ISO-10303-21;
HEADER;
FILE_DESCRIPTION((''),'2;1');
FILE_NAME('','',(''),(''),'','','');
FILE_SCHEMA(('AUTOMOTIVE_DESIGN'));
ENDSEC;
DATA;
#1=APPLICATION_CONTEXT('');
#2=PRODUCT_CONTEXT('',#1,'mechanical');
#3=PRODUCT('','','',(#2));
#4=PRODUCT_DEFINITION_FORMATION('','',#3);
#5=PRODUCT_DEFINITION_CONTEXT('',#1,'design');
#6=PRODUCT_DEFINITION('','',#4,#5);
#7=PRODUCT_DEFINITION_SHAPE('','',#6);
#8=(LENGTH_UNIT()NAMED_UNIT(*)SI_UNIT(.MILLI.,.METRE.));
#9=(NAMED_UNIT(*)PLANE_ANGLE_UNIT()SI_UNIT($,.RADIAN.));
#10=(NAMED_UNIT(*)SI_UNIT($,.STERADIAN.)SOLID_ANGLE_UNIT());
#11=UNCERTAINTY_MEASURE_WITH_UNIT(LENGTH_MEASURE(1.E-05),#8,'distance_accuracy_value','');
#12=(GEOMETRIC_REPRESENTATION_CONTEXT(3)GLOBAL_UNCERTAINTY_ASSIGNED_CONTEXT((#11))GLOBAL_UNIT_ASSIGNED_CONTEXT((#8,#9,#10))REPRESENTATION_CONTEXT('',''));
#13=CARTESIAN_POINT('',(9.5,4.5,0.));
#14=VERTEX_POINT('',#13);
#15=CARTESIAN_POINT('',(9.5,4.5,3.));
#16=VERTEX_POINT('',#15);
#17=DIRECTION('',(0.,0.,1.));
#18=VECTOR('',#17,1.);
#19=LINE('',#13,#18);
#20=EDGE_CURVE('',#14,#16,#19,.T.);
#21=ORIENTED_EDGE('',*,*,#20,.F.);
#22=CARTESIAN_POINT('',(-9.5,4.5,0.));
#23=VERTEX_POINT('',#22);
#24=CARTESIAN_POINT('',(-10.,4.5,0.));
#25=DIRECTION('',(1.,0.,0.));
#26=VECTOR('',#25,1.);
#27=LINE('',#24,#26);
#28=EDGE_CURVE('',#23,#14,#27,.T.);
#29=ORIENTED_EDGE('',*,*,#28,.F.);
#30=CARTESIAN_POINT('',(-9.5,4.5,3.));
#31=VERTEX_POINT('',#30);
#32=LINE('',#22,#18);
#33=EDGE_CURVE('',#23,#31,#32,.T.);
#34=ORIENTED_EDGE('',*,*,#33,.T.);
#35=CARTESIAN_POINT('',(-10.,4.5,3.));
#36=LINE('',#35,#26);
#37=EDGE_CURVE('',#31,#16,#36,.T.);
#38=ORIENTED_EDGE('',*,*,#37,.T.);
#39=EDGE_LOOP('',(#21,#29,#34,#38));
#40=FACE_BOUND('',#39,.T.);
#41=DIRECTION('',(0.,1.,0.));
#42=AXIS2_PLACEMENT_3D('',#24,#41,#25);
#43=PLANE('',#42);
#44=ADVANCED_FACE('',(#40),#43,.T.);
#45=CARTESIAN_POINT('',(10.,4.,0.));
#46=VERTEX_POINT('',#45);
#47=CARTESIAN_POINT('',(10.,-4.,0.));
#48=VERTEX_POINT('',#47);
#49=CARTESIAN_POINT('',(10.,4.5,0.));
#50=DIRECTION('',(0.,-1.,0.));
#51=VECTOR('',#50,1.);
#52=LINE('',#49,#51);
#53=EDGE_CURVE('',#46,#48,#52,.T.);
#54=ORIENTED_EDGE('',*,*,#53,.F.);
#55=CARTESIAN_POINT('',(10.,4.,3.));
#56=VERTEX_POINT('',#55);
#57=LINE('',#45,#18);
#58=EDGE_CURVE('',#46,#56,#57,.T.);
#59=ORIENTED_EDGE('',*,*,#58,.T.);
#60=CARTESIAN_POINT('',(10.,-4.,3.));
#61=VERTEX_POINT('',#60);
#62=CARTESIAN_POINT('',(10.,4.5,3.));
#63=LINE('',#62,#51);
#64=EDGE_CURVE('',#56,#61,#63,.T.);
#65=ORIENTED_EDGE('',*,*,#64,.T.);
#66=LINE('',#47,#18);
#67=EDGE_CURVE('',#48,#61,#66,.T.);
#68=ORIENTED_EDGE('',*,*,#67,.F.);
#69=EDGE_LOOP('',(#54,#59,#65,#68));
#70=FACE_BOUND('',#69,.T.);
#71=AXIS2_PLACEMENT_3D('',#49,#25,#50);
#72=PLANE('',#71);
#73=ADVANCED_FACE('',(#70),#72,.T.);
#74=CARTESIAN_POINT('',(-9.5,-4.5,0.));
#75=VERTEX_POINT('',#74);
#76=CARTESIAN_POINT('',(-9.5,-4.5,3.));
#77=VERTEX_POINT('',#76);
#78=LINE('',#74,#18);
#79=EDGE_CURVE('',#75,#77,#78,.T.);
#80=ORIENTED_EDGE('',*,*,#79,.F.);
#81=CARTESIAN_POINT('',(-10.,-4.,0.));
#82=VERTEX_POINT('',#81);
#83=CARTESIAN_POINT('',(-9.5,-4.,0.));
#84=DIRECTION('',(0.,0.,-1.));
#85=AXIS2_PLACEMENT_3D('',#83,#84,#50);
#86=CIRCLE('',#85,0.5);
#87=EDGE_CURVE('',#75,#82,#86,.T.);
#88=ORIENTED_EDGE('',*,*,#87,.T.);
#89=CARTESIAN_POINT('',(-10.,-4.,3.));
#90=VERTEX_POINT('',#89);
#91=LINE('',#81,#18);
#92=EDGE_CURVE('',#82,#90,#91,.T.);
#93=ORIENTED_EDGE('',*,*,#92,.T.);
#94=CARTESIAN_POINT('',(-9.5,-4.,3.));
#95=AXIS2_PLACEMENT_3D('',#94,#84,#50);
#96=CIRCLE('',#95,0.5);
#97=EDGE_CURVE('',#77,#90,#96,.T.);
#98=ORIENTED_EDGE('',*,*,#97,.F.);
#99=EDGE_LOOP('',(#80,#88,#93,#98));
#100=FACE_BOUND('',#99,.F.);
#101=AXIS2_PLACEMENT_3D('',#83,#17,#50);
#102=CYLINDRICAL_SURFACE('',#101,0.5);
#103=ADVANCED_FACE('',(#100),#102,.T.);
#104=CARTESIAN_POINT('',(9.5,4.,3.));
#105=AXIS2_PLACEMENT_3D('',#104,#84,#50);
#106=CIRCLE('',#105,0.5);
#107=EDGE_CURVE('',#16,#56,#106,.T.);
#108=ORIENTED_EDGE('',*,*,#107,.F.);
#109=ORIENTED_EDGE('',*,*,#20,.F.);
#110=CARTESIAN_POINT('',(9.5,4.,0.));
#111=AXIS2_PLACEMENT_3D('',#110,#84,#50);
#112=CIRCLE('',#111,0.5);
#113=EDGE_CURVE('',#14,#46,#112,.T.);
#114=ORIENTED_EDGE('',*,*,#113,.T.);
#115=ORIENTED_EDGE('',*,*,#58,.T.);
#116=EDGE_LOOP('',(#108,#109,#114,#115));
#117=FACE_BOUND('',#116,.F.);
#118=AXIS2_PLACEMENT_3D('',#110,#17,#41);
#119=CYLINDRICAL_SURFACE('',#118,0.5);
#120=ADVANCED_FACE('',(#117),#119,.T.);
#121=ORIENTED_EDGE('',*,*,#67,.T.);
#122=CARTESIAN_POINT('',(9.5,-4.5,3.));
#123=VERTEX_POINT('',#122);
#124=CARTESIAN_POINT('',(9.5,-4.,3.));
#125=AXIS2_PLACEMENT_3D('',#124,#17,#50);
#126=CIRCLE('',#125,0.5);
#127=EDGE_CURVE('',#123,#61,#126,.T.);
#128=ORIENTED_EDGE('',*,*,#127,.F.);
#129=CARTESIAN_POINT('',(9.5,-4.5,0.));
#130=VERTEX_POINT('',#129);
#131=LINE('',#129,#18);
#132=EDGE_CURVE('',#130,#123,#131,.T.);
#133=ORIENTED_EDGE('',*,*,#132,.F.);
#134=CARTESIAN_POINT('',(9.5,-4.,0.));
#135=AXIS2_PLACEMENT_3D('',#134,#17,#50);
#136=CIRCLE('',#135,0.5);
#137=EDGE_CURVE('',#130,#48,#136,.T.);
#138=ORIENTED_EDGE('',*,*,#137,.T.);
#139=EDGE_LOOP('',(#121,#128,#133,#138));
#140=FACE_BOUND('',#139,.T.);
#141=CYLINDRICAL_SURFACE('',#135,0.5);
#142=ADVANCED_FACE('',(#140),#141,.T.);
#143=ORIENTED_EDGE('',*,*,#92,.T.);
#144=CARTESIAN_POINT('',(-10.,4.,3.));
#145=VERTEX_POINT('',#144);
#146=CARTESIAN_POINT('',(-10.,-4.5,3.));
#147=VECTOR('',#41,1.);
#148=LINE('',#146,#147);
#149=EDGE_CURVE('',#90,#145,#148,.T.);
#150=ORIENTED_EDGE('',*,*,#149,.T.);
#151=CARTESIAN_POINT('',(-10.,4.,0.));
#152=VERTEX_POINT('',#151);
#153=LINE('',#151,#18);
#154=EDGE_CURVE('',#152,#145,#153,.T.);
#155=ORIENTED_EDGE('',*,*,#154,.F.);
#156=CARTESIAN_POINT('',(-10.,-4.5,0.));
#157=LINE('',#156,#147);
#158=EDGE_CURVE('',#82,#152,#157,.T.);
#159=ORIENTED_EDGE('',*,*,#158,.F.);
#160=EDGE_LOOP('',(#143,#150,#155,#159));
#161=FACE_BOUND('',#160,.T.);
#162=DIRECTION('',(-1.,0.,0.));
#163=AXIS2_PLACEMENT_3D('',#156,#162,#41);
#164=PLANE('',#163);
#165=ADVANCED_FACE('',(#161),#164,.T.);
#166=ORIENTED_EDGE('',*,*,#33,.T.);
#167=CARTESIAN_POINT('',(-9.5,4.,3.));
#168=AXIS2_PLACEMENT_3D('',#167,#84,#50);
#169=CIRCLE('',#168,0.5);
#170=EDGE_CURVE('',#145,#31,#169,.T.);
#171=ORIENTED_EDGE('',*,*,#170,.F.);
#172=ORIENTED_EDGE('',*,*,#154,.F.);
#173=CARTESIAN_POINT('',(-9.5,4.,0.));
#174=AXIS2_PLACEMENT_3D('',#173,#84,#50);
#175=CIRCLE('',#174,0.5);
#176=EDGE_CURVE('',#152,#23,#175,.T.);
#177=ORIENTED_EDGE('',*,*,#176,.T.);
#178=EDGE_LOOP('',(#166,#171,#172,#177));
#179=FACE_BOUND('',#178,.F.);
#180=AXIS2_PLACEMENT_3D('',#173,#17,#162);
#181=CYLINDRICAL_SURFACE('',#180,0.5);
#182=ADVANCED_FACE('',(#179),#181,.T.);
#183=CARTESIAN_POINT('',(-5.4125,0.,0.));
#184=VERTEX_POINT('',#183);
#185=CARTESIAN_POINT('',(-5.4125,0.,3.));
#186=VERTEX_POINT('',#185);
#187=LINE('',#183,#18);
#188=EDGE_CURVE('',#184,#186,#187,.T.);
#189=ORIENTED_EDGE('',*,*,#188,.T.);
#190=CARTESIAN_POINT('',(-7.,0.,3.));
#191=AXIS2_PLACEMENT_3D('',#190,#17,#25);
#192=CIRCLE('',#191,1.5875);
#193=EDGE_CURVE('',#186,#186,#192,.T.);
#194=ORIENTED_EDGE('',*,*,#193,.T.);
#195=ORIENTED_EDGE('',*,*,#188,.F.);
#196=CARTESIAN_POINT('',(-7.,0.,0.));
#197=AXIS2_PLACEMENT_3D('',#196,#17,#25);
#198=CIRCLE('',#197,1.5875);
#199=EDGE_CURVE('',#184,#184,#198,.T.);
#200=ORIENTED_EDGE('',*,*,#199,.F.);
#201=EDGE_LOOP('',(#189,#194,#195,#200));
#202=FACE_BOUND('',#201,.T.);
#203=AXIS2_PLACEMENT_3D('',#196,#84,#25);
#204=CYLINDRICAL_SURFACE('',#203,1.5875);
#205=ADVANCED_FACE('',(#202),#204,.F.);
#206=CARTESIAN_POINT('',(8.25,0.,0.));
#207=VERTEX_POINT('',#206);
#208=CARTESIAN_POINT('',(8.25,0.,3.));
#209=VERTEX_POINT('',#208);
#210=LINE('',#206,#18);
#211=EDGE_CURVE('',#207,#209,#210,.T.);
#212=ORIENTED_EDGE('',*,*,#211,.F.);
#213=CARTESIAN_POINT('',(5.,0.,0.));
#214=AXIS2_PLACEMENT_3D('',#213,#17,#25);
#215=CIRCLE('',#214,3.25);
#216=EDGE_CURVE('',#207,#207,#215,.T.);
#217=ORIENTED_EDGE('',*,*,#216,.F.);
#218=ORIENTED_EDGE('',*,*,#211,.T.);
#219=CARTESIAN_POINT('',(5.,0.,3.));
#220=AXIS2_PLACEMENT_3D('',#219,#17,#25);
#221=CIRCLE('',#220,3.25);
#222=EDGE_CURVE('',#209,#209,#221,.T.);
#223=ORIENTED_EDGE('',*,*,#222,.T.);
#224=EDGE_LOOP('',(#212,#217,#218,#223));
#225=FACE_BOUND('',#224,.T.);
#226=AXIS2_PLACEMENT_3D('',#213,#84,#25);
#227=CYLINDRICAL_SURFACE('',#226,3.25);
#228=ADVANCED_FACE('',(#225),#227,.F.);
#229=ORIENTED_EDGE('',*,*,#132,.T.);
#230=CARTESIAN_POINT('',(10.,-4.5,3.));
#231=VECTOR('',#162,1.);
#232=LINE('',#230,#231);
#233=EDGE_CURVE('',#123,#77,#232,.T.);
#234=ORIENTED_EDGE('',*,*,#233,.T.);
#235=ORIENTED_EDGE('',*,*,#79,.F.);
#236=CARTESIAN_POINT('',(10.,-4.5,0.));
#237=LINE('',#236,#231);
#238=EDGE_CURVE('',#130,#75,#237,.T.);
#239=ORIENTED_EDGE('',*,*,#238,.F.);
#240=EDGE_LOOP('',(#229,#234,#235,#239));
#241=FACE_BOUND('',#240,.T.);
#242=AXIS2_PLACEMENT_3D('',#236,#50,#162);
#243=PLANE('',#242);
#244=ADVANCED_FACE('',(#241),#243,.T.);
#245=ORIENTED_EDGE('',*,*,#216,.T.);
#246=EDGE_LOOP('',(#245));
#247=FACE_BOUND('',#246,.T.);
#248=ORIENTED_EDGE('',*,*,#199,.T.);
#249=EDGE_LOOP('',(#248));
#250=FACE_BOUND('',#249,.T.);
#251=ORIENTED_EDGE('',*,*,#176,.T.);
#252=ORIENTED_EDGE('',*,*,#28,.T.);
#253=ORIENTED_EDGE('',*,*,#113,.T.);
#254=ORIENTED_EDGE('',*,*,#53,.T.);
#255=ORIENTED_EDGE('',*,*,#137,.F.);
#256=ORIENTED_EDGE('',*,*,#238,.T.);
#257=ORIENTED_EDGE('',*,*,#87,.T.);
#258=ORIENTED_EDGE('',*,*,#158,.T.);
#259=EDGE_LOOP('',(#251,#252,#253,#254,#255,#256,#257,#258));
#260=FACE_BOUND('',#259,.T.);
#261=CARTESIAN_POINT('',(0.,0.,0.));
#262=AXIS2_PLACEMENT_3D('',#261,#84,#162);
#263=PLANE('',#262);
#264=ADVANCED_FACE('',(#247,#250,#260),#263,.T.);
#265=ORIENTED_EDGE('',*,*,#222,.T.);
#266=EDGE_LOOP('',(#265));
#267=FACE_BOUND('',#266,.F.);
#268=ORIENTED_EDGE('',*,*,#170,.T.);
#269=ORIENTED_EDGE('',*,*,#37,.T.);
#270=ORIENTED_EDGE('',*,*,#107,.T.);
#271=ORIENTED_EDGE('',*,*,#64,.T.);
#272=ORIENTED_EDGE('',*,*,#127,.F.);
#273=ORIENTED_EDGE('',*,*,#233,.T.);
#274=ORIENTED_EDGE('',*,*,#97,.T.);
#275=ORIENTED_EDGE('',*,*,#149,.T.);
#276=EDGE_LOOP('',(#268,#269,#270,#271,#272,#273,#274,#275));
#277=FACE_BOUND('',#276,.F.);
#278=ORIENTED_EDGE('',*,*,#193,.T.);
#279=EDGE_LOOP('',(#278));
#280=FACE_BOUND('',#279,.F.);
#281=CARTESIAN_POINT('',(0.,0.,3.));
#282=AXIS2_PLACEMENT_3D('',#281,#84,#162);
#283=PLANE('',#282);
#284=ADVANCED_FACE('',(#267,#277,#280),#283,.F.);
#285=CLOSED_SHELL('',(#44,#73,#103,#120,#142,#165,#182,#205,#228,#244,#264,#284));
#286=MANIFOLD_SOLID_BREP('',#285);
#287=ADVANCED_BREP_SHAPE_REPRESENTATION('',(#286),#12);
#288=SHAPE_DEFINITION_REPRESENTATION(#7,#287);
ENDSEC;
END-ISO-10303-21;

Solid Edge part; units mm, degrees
sketch "Sketch1" plane through (0, 0, 0) normal (0, 0, 1) x (1, 0, 0)
  line L0 (10, -4.5) -> (-10, -4.5)
  line L1 (-10, -4.5) -> (-10, 4.5)
  line L2 (-10, 4.5) -> (10, 4.5)
  line L3 (10, 4.5) -> (10, -4.5)
  circle A0 centre (5, 0) radius 3.25
  circle A1 centre (-7, 0) radius 1.5875
  dimension "D1" = 20
  dimension "D2" = 9
  dimension "D3" = 6.5
  dimension "D4" = 5
  dimension "D5" = 3.175
  dimension "D6" = 17
extrude "Protrusion1" add sketch "Sketch1" along normal blind 3
fillet "Round_1" radius 0.5 4 edges at (10, -4.5, 1.5) (10, 4.5, 1.5) (-10, 4.5, 1.5) (-10, -4.5, 1.5)
